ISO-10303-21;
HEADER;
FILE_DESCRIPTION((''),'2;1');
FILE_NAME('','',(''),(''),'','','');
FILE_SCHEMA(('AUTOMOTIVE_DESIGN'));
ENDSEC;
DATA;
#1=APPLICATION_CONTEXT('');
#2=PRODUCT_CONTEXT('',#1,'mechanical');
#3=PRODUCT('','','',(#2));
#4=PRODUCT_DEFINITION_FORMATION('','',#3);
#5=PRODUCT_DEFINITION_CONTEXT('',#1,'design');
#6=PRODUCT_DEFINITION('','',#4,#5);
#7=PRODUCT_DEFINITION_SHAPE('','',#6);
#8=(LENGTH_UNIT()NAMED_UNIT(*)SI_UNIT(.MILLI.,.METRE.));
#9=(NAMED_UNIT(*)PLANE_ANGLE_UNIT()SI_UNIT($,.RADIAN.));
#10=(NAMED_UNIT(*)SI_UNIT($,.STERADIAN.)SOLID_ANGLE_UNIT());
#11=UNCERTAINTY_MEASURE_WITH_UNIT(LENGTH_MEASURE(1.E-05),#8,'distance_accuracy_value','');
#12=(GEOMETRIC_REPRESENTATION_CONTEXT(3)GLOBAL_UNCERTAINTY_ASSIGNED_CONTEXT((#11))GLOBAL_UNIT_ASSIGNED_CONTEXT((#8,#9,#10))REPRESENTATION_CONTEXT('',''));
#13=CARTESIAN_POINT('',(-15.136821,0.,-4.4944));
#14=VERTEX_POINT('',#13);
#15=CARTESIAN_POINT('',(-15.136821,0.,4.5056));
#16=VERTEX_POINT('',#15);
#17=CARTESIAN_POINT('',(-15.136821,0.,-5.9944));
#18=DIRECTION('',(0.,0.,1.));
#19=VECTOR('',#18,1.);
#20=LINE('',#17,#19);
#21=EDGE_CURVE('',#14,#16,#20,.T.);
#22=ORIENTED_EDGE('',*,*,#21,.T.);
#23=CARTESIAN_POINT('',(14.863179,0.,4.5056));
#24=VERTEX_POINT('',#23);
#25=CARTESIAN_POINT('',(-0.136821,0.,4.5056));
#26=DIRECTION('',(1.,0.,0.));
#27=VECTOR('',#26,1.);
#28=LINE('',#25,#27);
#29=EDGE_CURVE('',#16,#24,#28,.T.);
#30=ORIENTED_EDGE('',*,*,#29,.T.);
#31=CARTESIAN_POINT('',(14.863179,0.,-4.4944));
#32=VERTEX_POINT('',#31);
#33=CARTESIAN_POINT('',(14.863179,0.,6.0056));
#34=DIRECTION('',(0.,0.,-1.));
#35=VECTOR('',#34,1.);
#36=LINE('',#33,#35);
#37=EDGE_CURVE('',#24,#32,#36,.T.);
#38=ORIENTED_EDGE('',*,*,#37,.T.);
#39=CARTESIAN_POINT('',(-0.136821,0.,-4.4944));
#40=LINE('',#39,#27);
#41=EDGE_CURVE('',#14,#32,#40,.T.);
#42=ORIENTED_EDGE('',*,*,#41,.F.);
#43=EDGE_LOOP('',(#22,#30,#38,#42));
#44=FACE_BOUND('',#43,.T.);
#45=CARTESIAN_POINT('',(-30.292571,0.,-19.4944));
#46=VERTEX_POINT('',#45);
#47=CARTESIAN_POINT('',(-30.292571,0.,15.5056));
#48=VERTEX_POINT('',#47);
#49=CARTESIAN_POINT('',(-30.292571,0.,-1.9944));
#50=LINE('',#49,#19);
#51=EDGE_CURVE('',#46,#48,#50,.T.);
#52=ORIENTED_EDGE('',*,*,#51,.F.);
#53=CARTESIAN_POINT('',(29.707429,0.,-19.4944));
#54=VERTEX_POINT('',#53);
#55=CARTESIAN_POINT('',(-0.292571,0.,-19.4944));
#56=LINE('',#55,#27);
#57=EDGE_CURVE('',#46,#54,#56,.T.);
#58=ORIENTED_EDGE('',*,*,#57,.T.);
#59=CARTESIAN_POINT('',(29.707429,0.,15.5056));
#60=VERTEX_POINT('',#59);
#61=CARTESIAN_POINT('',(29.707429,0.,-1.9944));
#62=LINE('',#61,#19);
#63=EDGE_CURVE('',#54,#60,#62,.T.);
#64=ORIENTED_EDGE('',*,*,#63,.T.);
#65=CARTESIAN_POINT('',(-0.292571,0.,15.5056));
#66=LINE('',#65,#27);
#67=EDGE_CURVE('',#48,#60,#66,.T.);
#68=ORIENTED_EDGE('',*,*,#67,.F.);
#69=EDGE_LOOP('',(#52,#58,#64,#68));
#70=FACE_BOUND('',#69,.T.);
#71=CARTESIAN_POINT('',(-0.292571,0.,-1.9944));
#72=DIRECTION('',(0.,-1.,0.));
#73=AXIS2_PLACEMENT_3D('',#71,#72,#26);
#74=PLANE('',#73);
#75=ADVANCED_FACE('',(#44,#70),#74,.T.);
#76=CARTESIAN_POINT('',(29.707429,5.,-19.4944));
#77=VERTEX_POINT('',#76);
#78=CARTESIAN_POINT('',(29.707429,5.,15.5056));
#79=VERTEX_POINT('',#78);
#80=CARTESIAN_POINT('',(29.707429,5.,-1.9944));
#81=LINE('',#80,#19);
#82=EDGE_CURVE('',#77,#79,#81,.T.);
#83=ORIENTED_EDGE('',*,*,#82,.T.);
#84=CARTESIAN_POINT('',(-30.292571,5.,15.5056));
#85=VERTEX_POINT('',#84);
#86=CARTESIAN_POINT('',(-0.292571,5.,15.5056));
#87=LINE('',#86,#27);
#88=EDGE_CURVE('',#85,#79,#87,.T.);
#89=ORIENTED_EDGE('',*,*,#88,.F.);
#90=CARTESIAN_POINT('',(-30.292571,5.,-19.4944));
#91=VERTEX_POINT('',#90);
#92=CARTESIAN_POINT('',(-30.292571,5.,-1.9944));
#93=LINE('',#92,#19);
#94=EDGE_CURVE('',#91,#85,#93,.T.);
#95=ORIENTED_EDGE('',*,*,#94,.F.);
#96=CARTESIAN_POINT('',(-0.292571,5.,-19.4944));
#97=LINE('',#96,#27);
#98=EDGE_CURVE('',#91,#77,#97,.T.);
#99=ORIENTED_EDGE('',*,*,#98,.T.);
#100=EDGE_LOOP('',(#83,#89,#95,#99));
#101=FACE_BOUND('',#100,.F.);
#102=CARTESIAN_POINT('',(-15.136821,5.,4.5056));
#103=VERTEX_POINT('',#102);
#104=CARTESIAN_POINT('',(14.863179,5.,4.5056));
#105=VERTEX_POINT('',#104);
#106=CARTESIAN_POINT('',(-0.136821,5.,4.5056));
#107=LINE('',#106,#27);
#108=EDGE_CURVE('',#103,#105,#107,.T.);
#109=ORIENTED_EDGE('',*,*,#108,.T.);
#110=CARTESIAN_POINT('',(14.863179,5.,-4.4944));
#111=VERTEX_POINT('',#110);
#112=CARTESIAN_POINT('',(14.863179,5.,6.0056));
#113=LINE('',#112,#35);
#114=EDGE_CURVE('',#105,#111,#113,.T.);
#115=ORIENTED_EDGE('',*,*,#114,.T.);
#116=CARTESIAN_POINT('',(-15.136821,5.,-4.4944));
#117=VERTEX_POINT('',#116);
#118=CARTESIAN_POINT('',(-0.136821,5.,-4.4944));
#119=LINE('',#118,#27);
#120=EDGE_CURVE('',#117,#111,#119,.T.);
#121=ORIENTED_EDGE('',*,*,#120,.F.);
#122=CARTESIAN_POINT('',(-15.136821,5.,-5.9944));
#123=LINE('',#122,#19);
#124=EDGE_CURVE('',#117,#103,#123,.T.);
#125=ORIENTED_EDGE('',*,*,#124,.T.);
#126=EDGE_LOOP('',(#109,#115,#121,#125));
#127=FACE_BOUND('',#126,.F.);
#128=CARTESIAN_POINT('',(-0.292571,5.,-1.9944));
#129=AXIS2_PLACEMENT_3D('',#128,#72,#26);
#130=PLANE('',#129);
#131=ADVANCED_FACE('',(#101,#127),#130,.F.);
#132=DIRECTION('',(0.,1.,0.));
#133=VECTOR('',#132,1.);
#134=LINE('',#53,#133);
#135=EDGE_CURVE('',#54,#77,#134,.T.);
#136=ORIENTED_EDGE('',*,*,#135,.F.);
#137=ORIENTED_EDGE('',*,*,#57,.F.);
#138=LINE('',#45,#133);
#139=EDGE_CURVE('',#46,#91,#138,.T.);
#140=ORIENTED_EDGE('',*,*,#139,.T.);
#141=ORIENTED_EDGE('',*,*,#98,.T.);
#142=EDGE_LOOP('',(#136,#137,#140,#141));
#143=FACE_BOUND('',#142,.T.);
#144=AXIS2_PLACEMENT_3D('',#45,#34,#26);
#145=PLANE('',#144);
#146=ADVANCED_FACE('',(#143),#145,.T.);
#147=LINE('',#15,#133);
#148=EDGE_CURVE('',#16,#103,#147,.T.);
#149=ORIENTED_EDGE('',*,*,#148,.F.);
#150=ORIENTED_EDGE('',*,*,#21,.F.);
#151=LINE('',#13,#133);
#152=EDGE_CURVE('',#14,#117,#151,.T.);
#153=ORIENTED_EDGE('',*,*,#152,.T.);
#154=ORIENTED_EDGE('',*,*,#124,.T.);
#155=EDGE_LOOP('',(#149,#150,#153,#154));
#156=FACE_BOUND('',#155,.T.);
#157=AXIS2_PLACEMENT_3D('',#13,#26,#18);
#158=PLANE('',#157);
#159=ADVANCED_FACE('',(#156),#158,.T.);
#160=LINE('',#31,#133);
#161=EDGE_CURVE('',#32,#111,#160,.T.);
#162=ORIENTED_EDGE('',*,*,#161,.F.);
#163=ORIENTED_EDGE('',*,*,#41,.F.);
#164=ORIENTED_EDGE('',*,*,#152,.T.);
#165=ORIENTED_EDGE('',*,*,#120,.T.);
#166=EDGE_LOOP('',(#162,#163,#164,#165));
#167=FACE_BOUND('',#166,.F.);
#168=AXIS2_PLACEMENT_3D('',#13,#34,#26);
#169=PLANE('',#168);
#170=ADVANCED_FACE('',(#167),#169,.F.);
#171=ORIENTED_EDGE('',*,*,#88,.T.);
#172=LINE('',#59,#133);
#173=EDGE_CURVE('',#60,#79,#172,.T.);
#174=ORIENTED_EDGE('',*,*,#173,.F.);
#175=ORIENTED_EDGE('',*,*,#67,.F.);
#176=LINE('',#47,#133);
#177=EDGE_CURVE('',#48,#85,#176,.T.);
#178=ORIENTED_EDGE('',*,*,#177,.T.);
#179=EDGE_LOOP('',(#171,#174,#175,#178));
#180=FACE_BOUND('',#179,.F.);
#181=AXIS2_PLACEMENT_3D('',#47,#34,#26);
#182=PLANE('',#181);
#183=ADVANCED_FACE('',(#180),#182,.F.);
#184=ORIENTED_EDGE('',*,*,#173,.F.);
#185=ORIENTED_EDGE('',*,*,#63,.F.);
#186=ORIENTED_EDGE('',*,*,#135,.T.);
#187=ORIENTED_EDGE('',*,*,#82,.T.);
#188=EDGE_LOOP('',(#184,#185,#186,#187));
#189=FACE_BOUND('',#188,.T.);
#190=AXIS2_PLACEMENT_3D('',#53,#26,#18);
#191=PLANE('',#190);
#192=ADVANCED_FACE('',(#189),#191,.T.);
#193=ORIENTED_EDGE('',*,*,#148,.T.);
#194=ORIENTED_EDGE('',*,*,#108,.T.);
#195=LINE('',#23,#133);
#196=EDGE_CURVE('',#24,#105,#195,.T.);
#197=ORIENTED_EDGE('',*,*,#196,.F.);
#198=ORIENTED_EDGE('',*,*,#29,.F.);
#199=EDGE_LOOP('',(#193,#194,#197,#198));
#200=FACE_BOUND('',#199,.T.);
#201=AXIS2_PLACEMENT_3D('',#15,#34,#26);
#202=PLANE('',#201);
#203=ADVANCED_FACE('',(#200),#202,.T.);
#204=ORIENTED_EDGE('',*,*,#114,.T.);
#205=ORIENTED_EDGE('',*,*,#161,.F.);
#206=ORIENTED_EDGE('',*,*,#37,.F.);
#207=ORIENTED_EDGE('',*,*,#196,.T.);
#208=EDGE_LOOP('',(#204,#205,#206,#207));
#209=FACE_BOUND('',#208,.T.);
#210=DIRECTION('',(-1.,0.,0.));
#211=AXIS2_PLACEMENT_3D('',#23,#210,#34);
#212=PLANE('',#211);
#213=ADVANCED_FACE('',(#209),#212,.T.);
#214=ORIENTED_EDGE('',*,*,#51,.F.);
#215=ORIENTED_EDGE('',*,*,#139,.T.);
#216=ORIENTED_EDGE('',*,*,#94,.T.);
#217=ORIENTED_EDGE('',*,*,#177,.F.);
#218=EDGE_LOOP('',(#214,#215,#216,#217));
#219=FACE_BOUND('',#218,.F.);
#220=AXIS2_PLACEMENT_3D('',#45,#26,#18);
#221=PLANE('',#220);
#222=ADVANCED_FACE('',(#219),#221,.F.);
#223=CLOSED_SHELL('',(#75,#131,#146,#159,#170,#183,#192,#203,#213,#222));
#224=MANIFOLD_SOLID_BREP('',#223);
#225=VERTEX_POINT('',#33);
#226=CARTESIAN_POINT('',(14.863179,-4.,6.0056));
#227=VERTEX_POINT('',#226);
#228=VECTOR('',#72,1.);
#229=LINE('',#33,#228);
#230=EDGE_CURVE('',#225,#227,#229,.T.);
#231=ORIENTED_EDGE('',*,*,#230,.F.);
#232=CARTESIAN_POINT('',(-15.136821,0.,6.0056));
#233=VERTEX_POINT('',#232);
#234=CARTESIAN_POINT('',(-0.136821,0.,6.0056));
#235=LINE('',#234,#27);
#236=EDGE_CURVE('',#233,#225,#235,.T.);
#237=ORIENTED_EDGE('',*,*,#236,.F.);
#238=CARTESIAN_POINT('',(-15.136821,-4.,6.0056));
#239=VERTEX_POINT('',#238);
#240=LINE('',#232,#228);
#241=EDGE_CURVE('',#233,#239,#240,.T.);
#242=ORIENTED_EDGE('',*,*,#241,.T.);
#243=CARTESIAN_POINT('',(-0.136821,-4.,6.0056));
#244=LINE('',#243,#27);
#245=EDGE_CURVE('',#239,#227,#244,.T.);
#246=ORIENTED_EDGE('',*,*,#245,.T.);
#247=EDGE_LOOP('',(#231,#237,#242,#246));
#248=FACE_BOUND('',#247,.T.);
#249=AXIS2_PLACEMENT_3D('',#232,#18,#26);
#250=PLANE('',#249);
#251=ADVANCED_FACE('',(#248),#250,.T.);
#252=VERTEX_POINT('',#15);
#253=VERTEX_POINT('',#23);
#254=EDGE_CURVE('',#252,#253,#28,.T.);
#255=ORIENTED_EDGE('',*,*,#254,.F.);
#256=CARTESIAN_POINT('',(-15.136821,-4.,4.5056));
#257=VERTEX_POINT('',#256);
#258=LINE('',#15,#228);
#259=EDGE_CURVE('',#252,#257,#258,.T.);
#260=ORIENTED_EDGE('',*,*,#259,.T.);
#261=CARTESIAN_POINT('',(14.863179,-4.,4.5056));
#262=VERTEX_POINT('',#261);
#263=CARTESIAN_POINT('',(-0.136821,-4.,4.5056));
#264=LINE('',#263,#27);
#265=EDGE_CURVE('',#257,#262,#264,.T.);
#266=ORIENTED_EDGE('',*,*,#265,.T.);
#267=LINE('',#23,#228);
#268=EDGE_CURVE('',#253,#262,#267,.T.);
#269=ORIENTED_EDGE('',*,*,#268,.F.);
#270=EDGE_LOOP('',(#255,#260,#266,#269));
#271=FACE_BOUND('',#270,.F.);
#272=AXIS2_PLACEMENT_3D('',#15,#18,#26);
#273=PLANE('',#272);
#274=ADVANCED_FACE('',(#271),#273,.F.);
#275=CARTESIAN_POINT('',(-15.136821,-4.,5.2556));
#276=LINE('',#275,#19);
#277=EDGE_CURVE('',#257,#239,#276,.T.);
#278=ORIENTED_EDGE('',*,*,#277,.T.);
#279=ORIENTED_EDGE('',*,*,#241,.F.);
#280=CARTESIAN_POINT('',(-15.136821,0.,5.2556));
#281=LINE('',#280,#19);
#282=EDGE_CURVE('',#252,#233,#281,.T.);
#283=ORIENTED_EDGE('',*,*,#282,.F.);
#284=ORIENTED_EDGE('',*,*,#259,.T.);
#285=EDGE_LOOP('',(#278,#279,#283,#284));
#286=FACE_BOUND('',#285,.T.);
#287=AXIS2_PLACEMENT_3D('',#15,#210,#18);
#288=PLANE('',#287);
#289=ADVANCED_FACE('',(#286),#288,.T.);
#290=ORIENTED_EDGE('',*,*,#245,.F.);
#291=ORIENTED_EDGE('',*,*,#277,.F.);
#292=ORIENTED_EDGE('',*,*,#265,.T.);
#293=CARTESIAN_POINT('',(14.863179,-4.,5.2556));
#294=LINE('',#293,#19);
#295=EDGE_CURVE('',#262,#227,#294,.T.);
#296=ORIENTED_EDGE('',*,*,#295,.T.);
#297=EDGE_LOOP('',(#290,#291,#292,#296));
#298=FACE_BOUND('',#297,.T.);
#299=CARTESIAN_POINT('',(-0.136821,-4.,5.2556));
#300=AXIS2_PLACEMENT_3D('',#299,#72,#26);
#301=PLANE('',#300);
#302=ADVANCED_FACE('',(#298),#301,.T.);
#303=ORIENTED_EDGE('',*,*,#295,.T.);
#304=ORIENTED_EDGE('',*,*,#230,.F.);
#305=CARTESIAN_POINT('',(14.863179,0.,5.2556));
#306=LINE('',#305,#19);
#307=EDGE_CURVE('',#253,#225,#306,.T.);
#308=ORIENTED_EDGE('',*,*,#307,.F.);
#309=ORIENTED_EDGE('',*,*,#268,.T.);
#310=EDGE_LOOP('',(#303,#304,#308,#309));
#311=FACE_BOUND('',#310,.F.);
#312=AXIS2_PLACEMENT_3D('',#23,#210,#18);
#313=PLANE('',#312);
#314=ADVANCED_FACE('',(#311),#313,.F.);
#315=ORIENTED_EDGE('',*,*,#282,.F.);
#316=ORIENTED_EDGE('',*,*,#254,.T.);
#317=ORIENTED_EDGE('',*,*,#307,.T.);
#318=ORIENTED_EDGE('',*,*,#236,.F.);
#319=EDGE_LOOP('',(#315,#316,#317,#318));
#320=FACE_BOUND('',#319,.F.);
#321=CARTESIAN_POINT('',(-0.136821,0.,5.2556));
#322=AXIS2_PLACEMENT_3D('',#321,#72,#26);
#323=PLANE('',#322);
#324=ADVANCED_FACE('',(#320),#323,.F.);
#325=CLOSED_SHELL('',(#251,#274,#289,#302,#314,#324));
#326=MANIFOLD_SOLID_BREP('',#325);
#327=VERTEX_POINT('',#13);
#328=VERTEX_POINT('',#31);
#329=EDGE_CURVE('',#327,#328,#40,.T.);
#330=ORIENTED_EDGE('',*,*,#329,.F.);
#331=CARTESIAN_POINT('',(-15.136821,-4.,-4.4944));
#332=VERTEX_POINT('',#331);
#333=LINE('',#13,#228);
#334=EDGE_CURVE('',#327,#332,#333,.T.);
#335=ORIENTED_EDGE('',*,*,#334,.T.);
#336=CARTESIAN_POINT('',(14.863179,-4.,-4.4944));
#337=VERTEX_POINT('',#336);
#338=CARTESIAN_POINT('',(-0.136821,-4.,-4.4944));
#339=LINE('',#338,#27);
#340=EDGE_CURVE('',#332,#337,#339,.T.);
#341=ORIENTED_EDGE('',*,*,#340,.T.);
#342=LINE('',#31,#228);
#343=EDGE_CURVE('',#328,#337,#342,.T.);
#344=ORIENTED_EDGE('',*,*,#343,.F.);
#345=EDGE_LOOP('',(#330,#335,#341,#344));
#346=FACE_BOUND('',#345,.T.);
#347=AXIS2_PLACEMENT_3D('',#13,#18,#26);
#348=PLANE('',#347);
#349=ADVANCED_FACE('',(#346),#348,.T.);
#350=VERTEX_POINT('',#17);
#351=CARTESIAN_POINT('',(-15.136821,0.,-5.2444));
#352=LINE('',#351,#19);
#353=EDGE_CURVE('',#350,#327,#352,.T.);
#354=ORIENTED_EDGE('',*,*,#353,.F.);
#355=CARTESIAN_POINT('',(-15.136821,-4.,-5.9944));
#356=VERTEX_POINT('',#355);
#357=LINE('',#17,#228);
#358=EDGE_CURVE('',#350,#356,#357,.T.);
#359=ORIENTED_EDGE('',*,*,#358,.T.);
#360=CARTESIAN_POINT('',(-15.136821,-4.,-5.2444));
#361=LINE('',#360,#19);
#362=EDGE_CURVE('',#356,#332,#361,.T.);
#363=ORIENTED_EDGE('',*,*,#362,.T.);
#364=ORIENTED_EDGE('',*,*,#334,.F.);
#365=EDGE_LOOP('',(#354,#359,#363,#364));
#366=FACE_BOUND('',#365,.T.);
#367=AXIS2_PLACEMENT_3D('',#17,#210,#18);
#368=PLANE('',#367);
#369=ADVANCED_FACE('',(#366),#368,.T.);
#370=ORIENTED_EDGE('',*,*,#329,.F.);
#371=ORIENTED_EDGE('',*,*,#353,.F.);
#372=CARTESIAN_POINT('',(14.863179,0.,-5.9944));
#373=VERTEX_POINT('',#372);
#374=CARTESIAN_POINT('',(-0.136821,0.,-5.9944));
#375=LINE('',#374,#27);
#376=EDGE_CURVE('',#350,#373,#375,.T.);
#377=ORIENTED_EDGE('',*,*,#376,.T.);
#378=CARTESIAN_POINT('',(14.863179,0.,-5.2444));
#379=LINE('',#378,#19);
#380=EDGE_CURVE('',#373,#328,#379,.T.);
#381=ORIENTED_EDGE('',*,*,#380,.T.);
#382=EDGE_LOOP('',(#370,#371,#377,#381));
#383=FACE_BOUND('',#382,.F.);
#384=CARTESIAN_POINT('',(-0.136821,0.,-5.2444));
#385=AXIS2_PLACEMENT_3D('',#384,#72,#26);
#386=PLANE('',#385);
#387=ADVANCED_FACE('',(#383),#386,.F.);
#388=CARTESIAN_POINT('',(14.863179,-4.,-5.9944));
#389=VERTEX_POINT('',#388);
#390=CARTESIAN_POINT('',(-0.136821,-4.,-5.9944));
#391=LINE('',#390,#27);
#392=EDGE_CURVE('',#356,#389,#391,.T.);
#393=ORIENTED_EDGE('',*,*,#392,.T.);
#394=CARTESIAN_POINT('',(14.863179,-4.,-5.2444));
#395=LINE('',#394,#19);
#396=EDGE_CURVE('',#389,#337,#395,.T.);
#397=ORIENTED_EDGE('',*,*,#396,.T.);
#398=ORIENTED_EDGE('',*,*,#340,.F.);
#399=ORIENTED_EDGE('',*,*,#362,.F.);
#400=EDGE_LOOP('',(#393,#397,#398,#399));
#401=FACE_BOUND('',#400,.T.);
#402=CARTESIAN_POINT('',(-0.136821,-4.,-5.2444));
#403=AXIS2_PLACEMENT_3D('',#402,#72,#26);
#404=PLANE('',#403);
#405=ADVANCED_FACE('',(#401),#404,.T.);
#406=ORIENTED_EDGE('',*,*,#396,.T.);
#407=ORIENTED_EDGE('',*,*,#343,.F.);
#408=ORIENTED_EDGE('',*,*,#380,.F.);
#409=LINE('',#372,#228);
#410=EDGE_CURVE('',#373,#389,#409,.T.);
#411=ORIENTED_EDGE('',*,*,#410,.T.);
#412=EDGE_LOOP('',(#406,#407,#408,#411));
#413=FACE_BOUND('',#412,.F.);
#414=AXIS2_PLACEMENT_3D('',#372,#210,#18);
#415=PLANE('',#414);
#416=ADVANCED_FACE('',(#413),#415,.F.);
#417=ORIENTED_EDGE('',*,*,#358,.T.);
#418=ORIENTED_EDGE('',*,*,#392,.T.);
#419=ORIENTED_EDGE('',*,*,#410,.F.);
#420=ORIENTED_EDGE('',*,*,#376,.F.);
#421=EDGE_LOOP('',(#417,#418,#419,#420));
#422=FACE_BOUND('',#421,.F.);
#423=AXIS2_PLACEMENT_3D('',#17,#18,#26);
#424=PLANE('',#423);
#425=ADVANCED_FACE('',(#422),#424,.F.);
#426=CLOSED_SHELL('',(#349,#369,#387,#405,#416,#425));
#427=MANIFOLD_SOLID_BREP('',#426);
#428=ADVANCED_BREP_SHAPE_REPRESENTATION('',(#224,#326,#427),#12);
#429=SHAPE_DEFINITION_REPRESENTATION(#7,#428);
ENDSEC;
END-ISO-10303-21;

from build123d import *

# Parameters (mm, degrees)
F0_W     = 30
F0_H     = 1.5
F1_DEPTH = 4
F0_W_2   = 60
F0_H_2   = 35
F2_DEPTH = 5


with BuildPart() as f1:
    # F0 (on Front) → F1 (new body)
    with BuildSketch(Plane.XZ):
        with Locations((-0.136821, 5.2556)):
            Rectangle(F0_W, F0_H)
        with Locations((-0.136821, -5.2444)):
            Rectangle(F0_W, F0_H)
    extrude(amount=F1_DEPTH)


with BuildPart() as f2:
    # F0 (on Front) → F2 (new body)
    with BuildSketch(Plane.XZ):
        with Locations((-0.292571, -1.9944)):
            Rectangle(F0_W_2, F0_H_2)
        Polygon((-15.136821, 4.5056), (-15.136821, 6.0056), (14.863179, 6.0056), (14.863179, 4.5056), (14.863179, -4.4944), (14.863179, -5.9944), (-15.136821, -5.9944), (-15.136821, -4.4944), align=None, mode=Mode.SUBTRACT)
        with Locations((-0.136821, 5.2556)):
            Rectangle(F0_W, F0_H)
        with Locations((-0.136821, -5.2444)):
            Rectangle(F0_W, F0_H)
    extrude(amount=-F2_DEPTH)


solid = Compound([f1.part, f2.part])
